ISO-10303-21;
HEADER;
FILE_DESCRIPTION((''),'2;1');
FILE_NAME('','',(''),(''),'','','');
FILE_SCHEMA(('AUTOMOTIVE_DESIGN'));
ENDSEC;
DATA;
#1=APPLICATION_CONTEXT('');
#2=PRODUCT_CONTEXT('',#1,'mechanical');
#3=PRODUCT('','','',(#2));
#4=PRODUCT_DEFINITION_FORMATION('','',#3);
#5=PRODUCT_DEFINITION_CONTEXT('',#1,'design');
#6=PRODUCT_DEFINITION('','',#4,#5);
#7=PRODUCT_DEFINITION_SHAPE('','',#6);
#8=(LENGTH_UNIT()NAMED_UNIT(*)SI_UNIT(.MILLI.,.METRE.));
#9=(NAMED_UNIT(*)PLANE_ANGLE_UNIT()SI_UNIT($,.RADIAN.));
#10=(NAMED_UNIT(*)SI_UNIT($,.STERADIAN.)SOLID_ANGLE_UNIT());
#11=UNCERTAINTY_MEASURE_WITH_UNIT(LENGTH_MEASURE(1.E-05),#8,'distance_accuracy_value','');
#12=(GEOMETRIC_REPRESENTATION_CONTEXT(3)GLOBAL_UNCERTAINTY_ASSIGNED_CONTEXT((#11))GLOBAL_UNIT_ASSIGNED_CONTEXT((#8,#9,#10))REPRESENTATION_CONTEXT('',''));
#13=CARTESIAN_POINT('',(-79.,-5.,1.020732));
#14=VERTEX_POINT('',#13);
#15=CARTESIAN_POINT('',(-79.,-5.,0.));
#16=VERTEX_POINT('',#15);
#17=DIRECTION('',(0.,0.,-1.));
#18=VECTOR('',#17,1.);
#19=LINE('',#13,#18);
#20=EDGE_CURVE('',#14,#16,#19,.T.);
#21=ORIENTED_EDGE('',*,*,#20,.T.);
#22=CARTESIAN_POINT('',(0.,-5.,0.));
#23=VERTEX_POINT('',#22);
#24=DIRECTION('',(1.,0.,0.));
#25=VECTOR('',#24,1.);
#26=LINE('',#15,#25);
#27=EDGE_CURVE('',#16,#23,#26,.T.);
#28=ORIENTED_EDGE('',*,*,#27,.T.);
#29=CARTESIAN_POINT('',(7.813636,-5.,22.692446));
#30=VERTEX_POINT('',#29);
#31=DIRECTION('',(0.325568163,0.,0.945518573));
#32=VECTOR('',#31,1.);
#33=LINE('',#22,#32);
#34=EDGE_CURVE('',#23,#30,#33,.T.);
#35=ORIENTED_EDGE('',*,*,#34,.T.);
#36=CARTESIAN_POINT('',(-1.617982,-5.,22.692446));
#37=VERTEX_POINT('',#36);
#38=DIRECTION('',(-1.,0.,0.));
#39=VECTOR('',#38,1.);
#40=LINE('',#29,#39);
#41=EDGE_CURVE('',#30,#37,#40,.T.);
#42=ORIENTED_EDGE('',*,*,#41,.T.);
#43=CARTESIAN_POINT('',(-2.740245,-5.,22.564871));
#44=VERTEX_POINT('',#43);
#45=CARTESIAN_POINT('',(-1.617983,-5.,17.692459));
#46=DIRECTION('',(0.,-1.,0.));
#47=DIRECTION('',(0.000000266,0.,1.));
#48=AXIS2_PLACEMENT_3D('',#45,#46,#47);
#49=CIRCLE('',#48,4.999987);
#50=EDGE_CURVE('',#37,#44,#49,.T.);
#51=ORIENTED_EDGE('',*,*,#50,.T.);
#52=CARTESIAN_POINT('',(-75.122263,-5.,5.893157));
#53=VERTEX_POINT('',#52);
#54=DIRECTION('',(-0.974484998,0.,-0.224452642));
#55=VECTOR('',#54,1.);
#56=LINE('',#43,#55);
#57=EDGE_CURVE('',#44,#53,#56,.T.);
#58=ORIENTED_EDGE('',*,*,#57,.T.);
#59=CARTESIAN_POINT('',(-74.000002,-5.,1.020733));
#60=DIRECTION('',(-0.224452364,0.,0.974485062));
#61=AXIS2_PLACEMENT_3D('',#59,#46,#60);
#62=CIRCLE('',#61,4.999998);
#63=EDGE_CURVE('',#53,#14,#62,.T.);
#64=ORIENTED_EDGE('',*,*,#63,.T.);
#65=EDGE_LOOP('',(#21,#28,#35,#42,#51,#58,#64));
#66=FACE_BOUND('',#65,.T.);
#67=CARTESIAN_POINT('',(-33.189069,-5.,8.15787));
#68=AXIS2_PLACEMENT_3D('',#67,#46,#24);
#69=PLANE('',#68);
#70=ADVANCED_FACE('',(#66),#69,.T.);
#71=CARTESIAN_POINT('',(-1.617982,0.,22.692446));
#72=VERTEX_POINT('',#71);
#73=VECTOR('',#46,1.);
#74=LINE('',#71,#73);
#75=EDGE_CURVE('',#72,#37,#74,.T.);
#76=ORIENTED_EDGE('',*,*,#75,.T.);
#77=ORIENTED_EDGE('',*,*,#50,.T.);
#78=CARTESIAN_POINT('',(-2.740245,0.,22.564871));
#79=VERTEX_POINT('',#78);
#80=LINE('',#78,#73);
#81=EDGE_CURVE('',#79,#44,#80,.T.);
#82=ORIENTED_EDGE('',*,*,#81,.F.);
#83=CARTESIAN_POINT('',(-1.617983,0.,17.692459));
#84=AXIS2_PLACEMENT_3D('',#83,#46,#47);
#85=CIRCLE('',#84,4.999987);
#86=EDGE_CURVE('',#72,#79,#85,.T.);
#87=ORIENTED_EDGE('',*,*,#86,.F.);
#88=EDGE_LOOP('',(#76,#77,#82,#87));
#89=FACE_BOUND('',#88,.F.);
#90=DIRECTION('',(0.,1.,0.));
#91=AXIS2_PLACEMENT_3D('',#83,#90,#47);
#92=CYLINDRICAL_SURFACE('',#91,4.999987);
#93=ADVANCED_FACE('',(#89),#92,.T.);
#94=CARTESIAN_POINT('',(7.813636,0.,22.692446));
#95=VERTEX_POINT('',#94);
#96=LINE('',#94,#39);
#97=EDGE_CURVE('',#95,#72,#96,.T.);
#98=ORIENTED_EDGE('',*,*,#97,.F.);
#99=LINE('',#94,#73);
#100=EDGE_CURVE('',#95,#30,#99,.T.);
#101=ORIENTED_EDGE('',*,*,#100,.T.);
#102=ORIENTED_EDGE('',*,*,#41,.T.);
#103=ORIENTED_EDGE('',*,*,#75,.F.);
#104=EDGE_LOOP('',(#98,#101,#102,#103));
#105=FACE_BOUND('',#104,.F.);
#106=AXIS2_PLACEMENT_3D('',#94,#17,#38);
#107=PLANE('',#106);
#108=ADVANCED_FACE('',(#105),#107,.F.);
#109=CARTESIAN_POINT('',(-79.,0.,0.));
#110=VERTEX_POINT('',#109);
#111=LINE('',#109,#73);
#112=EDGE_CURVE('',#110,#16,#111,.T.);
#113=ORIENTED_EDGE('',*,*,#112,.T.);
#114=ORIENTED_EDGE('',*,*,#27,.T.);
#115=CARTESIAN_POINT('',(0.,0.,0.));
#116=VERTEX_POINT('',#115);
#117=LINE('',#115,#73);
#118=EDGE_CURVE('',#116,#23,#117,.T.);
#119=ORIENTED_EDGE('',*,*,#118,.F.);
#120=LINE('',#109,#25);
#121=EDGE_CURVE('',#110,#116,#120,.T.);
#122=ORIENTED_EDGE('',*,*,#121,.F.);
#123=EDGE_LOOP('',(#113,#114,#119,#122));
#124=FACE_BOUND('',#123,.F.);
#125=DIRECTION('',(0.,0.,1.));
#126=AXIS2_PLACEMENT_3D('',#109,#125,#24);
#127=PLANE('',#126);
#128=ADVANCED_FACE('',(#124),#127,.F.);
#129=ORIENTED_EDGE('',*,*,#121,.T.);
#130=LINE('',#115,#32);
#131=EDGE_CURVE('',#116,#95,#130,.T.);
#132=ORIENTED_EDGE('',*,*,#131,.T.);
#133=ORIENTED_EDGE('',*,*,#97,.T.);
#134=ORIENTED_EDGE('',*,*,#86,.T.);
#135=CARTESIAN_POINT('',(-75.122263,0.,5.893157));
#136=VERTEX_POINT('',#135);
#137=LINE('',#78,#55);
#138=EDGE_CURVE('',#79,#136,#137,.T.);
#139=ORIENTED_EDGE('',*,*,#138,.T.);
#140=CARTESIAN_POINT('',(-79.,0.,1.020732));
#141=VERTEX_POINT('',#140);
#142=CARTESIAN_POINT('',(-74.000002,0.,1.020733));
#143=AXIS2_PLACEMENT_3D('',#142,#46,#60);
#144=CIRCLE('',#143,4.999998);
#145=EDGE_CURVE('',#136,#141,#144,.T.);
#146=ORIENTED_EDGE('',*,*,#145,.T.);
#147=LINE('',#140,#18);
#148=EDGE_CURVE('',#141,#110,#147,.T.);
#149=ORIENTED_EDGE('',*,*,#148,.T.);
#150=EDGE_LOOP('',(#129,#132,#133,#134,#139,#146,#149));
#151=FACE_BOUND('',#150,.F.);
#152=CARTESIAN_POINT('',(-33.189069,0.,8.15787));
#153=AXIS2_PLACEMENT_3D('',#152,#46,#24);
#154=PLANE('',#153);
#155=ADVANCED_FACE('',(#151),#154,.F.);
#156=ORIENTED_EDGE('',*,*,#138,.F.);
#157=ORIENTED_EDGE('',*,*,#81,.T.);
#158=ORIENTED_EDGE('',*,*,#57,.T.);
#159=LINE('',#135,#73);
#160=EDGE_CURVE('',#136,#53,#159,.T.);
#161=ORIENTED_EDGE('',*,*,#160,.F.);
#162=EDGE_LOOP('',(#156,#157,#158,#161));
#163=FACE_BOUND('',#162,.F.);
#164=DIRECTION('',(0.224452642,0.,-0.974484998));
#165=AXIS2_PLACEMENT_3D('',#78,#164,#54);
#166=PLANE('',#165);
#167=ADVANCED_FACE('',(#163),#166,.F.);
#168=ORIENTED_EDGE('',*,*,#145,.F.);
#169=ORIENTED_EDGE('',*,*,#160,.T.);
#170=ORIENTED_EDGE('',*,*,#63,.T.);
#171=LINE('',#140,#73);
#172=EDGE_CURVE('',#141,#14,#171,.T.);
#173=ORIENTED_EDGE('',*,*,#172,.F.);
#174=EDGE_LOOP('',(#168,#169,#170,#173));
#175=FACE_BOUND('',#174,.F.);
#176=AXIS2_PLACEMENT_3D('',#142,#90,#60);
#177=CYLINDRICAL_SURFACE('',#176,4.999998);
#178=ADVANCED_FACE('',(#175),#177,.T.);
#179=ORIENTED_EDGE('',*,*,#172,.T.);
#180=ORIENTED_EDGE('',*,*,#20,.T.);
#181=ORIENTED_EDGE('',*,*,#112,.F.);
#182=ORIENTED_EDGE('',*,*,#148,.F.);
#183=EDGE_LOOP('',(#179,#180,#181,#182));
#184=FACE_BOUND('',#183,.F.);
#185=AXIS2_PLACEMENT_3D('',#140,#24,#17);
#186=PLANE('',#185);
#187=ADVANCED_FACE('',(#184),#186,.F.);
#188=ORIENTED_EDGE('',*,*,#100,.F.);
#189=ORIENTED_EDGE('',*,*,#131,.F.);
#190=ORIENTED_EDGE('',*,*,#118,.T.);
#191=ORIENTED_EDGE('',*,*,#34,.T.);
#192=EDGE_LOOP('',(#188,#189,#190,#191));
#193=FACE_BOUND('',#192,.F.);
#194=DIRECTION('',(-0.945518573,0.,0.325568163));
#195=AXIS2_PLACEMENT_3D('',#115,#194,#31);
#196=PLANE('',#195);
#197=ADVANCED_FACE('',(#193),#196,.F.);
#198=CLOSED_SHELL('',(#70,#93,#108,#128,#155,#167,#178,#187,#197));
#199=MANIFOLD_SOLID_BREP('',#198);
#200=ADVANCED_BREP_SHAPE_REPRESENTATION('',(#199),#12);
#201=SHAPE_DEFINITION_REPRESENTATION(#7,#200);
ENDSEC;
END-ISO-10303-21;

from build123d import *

# Parameters (mm, degrees)
F1_DEPTH = 5


with BuildPart() as f1:
    # F0 (on Front) → F1 (new body)
    with BuildSketch(Plane.XZ):
        with BuildLine():
            Line((-79, 1.020732), (-79, 0))
            Line((-79, 0), (0, 0))
            Line((0, 0), (7.813636, 22.692446))
            Line((7.813636, 22.692446), (-1.617982, 22.692446))
            ThreePointArc((-1.617982, 22.692446), (-2.182727, 22.66045), (-2.740245, 22.564871))
            Line((-2.740245, 22.564871), (-75.122263, 5.893157))
            ThreePointArc((-75.122263, 5.893157), (-77.912245, 4.134306), (-79, 1.020732))
        make_face()
    extrude(amount=F1_DEPTH)


solid = f1.part
